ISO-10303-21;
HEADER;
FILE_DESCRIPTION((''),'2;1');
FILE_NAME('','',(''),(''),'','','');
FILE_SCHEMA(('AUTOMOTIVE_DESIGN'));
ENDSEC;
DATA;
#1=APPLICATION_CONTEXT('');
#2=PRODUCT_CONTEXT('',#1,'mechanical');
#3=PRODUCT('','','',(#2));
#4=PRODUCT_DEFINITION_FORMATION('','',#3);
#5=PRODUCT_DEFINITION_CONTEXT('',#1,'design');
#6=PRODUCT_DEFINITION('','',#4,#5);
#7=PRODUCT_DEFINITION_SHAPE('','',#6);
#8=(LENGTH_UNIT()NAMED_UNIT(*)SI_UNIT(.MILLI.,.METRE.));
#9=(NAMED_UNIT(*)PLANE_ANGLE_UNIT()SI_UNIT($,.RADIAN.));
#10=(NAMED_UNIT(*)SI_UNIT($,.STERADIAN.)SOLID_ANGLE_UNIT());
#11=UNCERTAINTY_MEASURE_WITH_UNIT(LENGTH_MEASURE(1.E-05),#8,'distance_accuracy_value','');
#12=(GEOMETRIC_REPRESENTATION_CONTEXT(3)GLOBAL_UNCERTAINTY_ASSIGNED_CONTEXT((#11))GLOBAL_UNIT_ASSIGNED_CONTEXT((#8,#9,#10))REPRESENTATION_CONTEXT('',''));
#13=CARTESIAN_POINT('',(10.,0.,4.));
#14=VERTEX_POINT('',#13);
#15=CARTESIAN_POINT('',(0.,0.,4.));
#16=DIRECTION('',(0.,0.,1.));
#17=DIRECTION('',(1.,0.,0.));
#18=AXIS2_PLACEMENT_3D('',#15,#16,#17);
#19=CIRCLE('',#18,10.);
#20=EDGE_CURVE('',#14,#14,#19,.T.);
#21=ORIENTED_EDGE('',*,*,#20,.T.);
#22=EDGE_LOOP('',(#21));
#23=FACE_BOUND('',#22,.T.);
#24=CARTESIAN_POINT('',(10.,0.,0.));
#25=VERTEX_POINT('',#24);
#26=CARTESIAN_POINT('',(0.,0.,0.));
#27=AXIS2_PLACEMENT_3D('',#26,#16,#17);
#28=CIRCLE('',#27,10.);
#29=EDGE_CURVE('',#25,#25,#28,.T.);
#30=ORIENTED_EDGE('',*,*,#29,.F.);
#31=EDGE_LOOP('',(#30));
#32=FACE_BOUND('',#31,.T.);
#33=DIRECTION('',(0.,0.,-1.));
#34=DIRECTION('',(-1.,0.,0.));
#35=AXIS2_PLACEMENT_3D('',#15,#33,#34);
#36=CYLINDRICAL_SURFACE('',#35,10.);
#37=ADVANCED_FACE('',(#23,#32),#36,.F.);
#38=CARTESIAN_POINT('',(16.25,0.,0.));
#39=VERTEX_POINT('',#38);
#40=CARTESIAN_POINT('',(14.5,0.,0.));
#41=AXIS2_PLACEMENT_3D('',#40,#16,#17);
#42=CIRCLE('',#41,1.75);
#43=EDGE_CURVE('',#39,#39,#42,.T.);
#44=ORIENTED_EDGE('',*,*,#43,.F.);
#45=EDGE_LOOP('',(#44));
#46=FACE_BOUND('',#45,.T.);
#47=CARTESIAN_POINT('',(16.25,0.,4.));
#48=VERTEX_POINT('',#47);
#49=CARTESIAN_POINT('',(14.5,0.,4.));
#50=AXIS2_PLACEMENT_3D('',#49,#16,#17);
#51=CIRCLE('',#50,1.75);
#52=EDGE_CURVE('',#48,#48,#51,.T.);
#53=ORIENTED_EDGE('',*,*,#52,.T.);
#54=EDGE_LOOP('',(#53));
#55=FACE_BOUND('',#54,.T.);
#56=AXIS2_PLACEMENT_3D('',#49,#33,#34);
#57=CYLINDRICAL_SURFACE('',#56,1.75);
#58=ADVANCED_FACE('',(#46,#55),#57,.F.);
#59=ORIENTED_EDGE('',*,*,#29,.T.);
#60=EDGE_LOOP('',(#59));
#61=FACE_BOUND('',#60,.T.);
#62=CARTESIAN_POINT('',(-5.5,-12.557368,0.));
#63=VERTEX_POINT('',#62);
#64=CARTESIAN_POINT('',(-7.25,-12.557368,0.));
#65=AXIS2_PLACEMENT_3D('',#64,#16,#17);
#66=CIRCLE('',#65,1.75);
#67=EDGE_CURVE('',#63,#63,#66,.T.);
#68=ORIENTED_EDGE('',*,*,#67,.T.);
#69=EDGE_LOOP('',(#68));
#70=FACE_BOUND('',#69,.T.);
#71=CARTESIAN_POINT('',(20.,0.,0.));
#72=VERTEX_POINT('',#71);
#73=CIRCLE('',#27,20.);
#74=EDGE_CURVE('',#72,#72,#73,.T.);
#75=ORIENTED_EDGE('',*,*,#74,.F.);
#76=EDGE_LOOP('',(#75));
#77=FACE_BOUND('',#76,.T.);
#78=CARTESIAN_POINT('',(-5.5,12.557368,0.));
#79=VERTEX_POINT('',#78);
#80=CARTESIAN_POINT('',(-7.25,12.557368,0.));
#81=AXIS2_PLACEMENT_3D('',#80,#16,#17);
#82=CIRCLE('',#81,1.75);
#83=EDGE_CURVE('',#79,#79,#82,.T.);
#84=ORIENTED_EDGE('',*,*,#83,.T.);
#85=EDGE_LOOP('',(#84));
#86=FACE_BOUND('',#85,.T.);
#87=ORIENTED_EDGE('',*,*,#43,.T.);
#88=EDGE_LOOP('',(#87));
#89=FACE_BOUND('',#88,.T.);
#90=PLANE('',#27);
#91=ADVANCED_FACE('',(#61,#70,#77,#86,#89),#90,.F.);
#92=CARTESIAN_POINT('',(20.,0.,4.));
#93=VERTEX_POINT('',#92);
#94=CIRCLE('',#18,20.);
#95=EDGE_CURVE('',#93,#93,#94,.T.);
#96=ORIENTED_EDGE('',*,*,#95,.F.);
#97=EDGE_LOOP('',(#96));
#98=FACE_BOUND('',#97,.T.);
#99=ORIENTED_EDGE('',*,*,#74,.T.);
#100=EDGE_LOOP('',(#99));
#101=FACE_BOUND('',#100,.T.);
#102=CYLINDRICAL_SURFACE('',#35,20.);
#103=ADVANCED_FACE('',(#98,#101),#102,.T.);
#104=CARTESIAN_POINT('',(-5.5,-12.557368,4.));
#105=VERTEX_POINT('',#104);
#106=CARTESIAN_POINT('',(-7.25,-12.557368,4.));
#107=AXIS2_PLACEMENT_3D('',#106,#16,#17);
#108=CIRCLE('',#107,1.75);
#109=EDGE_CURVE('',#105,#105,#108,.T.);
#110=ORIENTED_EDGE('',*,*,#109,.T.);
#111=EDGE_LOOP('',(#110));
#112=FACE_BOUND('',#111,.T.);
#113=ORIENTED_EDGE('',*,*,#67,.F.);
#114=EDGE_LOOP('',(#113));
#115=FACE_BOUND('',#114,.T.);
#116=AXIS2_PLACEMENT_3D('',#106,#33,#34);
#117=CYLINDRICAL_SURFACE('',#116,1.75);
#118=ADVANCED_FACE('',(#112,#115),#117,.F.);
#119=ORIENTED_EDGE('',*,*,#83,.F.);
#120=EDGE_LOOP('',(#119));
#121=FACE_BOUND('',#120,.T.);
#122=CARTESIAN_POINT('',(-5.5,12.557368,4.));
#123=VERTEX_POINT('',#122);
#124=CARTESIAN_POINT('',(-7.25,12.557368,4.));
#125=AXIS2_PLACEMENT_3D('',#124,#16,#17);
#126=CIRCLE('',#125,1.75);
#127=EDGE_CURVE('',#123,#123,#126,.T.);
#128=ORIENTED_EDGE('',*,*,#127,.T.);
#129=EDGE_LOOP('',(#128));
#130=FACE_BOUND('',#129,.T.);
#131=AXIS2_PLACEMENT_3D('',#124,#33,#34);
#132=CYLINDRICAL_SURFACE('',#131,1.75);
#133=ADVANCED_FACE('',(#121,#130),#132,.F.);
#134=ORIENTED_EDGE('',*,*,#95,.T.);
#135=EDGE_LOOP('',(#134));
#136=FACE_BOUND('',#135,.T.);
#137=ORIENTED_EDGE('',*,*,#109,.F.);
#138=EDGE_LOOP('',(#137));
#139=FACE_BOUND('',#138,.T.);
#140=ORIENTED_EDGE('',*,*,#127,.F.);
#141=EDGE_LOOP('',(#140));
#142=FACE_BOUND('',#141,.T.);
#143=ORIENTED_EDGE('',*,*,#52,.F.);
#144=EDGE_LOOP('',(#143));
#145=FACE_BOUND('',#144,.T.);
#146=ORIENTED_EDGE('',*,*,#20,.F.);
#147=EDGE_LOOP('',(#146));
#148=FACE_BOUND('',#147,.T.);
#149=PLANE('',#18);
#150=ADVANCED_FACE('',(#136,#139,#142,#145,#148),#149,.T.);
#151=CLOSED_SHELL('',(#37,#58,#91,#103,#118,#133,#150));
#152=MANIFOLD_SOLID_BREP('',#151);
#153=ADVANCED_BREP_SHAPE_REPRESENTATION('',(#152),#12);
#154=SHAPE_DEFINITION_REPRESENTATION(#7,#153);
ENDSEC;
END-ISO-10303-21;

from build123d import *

# Parameters (mm, degrees)
SKETCH1_R           = 20
SKETCH1_R_2         = 10
SKETCH1_R_3         = 1.75
BOSS_EXTRUDE1_DEPTH = 4


with BuildPart() as part:
    # Sketch1 → Boss-Extrude1 (new body)
    with BuildSketch(Plane.XY):
        Circle(SKETCH1_R)
        Circle(SKETCH1_R_2, mode=Mode.SUBTRACT)
        with Locations((14.5, 0)):
            Circle(SKETCH1_R_3, mode=Mode.SUBTRACT)
        with Locations((-7.25, -12.557368355)):
            Circle(SKETCH1_R_3, mode=Mode.SUBTRACT)
        with Locations((-7.25, 12.557368355)):
            Circle(SKETCH1_R_3, mode=Mode.SUBTRACT)
    extrude(amount=BOSS_EXTRUDE1_DEPTH)


solid = part.part
